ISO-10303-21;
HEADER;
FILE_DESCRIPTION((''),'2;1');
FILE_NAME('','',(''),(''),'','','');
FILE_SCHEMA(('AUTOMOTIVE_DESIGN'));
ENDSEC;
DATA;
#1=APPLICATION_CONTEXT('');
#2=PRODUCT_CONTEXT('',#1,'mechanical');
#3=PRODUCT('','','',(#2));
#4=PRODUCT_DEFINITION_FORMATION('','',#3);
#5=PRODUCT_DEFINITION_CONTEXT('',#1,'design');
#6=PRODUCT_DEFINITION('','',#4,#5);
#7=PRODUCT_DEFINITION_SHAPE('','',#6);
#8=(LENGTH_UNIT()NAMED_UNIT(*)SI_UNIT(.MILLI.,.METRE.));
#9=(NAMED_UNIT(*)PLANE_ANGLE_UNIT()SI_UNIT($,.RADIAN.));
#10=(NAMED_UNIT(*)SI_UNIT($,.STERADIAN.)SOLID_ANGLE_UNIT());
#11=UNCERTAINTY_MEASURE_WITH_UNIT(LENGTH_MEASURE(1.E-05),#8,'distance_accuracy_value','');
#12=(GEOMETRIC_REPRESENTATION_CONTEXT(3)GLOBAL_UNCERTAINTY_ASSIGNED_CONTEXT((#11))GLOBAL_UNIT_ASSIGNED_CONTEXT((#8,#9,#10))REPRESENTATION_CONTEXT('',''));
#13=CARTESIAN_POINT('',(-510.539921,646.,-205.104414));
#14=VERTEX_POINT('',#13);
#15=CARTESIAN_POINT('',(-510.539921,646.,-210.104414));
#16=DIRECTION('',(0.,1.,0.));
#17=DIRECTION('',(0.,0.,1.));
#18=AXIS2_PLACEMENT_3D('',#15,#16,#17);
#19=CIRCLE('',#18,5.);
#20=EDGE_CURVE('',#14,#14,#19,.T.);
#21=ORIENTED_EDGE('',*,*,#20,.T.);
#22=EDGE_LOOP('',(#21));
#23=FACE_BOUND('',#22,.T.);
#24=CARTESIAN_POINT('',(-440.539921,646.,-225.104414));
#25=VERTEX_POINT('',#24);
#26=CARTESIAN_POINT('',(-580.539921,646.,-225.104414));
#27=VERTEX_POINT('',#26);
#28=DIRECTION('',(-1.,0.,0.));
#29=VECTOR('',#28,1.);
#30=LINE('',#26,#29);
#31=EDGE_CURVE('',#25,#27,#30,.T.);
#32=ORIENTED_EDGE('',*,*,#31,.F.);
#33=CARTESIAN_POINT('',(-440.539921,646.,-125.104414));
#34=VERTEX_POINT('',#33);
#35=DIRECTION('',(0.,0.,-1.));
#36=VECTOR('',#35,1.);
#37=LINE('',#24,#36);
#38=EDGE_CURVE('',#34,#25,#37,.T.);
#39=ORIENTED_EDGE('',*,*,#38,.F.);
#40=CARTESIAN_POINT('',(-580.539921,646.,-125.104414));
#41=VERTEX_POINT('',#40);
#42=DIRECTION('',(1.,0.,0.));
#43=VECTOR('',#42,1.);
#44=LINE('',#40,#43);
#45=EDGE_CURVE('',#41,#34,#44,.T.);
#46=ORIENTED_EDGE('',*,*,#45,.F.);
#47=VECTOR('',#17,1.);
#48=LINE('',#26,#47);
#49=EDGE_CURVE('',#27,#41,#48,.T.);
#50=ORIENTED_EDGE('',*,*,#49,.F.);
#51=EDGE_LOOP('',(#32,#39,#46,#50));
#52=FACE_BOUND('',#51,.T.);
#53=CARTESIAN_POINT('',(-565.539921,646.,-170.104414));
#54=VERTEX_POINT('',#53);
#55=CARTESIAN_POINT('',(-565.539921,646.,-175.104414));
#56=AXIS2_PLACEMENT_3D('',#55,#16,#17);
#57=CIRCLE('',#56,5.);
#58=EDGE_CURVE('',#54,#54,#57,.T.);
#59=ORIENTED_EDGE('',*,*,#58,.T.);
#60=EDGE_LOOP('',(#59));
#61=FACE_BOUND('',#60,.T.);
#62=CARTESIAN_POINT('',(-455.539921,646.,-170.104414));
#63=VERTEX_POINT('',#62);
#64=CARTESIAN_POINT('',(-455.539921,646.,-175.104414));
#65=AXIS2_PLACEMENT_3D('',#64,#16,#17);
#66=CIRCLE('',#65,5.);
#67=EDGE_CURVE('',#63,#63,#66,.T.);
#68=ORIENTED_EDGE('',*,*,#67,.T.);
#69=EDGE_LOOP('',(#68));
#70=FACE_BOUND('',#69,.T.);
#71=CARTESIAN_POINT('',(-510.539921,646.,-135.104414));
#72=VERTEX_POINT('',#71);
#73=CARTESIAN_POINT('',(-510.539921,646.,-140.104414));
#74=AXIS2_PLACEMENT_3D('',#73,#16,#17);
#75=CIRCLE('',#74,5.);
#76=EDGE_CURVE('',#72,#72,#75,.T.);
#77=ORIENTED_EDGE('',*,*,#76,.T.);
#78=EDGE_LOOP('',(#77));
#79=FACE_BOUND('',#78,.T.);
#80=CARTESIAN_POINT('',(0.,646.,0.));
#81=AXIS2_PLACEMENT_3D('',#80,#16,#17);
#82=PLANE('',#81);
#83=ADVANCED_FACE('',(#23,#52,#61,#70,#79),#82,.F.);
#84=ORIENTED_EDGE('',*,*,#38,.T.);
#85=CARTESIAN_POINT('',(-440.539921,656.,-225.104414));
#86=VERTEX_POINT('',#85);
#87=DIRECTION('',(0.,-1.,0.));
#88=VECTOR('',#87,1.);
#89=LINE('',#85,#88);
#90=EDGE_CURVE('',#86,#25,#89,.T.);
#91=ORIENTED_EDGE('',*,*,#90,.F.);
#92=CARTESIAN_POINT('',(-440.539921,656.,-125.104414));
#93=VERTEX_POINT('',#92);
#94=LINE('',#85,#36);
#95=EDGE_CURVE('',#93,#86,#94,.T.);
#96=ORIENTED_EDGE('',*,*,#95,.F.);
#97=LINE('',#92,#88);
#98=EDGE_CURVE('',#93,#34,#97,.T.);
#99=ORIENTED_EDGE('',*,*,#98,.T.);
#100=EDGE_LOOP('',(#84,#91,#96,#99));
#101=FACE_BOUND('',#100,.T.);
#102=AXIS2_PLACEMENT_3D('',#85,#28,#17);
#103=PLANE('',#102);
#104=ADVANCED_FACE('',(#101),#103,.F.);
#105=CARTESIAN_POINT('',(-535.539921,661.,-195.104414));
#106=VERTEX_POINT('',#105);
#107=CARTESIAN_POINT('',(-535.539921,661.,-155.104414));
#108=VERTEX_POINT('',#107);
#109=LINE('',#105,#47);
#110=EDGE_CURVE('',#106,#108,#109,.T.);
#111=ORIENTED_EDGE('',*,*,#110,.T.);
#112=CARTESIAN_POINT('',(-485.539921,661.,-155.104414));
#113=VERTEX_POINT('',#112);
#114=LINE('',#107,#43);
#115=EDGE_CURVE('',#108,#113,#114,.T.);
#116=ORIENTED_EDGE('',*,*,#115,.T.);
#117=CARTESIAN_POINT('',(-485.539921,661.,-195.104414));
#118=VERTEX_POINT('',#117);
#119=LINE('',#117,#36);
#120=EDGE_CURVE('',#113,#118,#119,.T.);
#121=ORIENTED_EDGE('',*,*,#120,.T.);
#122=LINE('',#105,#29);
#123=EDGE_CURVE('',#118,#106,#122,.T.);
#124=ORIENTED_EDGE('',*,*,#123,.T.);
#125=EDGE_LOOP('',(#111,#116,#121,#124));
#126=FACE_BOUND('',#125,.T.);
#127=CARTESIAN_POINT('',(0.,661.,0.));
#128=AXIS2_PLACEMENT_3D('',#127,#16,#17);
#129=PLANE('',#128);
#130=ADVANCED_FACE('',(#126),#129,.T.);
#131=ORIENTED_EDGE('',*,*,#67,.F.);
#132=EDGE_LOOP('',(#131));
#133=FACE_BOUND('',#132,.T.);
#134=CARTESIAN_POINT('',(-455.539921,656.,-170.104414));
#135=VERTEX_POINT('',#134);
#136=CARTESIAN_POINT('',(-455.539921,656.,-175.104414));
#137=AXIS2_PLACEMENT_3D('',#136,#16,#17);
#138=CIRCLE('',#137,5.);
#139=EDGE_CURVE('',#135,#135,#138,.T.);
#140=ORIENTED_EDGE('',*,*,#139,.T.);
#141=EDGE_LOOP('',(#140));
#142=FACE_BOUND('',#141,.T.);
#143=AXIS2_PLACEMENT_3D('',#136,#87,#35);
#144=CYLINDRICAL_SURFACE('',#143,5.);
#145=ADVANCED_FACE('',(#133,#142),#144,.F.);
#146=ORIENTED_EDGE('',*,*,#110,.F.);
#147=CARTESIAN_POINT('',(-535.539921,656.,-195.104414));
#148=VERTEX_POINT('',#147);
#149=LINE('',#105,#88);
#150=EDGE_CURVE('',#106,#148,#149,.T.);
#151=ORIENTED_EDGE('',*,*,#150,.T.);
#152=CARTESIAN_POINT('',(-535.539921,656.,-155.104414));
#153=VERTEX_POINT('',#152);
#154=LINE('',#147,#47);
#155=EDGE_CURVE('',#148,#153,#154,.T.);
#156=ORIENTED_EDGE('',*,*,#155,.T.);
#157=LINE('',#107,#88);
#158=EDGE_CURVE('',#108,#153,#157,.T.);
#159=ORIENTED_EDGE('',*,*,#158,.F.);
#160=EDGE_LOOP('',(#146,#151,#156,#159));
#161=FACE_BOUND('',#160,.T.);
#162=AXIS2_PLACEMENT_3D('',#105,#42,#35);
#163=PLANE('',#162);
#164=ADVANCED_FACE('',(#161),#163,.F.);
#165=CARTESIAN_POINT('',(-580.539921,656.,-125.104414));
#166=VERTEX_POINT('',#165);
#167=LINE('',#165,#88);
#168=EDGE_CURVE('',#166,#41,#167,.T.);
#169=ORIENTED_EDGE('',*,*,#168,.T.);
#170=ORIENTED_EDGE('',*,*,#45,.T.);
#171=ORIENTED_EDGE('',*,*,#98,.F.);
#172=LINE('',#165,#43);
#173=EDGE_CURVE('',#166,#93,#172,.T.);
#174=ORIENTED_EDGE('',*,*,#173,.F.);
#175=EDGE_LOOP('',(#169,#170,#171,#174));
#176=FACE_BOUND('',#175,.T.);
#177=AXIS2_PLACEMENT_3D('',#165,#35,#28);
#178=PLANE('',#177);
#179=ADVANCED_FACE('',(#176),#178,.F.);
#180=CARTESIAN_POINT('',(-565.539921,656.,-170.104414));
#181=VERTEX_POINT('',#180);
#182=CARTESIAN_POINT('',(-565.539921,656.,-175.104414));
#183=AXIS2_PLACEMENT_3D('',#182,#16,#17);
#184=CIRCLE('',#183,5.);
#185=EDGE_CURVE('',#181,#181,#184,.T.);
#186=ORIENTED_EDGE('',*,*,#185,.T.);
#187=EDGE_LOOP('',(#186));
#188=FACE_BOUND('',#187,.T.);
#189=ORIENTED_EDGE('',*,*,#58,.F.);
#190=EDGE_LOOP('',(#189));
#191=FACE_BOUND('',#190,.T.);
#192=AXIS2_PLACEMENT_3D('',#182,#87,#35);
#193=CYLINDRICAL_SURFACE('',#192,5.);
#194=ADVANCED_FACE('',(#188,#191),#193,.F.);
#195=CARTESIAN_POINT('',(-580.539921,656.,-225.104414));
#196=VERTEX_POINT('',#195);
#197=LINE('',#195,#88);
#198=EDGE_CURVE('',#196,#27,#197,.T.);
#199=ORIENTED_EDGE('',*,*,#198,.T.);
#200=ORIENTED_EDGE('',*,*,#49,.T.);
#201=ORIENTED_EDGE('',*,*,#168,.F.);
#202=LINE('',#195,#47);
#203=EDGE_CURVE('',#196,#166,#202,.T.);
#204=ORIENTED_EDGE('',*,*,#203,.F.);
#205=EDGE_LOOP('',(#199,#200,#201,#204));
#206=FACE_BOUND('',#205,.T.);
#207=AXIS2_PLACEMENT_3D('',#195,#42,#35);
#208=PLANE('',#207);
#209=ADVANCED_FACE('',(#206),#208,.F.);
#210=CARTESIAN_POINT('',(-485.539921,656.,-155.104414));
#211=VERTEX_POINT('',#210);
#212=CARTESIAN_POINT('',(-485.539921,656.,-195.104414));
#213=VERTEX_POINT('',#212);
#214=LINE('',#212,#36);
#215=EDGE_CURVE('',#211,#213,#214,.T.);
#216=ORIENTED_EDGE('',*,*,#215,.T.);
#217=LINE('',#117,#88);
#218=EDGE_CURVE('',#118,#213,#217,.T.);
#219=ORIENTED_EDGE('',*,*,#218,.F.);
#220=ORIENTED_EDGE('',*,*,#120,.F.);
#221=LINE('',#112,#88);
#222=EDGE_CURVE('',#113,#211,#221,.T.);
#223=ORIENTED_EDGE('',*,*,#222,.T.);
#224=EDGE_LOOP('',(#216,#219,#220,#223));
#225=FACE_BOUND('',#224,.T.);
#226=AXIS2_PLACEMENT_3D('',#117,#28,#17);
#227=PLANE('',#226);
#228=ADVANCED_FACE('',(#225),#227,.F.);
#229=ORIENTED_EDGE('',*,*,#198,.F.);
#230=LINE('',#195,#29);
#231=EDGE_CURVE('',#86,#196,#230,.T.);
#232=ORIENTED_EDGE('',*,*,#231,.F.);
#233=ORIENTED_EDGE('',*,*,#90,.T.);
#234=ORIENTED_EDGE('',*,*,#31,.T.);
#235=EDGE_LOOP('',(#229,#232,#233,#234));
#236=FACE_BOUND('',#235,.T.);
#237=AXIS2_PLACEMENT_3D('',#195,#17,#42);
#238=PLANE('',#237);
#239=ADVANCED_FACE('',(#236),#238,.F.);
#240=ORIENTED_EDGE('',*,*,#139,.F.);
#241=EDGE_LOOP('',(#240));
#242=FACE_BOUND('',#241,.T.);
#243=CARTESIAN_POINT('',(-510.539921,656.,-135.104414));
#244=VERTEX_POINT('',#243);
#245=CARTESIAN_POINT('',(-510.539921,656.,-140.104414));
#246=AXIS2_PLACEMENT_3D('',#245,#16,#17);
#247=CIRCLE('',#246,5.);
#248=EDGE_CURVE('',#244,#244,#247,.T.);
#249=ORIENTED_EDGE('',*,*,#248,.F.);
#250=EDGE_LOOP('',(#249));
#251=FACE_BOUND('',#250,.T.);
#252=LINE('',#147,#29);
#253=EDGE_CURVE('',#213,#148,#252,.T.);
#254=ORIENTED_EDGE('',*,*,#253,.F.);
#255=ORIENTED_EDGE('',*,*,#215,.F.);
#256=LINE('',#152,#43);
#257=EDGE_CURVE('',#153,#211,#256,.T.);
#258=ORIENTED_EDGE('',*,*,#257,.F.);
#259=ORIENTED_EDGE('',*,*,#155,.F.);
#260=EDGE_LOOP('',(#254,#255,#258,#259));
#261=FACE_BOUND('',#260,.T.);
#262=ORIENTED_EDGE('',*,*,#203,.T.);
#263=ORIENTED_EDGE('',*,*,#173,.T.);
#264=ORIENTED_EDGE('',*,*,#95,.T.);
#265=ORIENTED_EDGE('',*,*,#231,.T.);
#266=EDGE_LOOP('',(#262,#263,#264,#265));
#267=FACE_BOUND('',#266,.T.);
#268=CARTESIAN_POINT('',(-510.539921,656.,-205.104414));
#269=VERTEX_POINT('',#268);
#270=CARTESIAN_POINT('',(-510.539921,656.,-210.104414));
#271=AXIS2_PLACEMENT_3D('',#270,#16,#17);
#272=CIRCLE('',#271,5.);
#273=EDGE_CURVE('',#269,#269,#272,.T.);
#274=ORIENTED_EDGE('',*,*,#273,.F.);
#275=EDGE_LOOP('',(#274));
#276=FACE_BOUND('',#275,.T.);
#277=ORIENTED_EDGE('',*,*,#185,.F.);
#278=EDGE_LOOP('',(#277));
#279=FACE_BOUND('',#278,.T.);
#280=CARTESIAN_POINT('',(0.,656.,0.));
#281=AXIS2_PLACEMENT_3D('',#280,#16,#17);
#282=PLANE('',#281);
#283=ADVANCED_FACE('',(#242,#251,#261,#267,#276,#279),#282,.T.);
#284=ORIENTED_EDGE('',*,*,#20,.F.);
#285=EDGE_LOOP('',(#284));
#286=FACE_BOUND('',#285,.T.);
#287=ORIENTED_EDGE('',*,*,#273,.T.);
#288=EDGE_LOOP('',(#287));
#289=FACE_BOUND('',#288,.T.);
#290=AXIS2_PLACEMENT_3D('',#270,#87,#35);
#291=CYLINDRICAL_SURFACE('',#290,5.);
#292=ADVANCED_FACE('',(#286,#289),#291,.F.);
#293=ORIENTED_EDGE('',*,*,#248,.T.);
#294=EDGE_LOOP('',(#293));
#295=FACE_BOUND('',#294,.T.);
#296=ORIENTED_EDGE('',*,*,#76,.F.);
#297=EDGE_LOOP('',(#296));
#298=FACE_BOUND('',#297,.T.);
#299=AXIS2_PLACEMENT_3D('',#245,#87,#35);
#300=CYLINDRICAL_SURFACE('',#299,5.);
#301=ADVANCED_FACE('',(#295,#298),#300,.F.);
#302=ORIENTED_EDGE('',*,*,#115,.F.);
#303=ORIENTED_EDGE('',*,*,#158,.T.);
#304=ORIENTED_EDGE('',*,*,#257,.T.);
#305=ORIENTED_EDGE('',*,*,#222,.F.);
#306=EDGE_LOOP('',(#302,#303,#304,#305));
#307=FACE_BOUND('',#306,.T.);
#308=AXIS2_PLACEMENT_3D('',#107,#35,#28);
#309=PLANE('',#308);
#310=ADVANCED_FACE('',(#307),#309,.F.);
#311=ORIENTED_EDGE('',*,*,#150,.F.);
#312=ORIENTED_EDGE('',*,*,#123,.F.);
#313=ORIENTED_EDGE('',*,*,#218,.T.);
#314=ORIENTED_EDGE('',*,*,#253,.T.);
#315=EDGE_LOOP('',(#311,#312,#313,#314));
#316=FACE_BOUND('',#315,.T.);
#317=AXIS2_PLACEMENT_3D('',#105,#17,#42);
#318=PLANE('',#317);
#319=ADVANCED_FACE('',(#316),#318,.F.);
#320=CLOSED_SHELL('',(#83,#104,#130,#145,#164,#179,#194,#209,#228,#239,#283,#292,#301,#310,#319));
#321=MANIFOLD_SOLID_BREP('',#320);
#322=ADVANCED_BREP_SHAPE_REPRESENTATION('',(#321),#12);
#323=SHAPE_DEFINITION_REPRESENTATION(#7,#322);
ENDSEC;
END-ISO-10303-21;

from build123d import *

# Parameters (mm, degrees)
SKETCH_1_W      = 140
SKETCH_1_H      = 100
SKETCH_1_R      = 5
EXTRUDE_1_DEPTH = 10
SKETCH_5_W      = 50
SKETCH_5_H      = 40
EXTRUDE_2_DEPTH = 5


with BuildPart() as part:
    # 草图1 → 凸台-拉伸1 (new body)
    with BuildSketch(Plane(origin=(0, 646, 0), x_dir=(1, 0, 0), z_dir=(0, 1, 0))):
        with Locations((-510.539921299, 175.104414428)):
            Rectangle(SKETCH_1_W, SKETCH_1_H)
        with Locations(Location((-565.539921299, 175.104414428, 0), (0, 0, 270))):
            Circle(SKETCH_1_R, mode=Mode.SUBTRACT)
        with Locations(Location((-510.539921299, 210.104414428, 0), (0, 0, 270))):
            Circle(SKETCH_1_R, mode=Mode.SUBTRACT)
        with Locations(Location((-510.539921299, 140.104414428, 0), (0, 0, 270))):
            Circle(SKETCH_1_R, mode=Mode.SUBTRACT)
        with Locations(Location((-455.539921299, 175.104414428, 0), (0, 0, 270))):
            Circle(SKETCH_1_R, mode=Mode.SUBTRACT)
    extrude(amount=EXTRUDE_1_DEPTH)

    # 草图5 → 凸台-拉伸2 (add)
    with BuildSketch(Plane(origin=(0, 656, 0), x_dir=(1, 0, 0), z_dir=(0, 1, 0))):
        with Locations((-510.539921299, 175.104414428)):
            Rectangle(SKETCH_5_W, SKETCH_5_H)
    extrude(amount=EXTRUDE_2_DEPTH)


solid = part.part
